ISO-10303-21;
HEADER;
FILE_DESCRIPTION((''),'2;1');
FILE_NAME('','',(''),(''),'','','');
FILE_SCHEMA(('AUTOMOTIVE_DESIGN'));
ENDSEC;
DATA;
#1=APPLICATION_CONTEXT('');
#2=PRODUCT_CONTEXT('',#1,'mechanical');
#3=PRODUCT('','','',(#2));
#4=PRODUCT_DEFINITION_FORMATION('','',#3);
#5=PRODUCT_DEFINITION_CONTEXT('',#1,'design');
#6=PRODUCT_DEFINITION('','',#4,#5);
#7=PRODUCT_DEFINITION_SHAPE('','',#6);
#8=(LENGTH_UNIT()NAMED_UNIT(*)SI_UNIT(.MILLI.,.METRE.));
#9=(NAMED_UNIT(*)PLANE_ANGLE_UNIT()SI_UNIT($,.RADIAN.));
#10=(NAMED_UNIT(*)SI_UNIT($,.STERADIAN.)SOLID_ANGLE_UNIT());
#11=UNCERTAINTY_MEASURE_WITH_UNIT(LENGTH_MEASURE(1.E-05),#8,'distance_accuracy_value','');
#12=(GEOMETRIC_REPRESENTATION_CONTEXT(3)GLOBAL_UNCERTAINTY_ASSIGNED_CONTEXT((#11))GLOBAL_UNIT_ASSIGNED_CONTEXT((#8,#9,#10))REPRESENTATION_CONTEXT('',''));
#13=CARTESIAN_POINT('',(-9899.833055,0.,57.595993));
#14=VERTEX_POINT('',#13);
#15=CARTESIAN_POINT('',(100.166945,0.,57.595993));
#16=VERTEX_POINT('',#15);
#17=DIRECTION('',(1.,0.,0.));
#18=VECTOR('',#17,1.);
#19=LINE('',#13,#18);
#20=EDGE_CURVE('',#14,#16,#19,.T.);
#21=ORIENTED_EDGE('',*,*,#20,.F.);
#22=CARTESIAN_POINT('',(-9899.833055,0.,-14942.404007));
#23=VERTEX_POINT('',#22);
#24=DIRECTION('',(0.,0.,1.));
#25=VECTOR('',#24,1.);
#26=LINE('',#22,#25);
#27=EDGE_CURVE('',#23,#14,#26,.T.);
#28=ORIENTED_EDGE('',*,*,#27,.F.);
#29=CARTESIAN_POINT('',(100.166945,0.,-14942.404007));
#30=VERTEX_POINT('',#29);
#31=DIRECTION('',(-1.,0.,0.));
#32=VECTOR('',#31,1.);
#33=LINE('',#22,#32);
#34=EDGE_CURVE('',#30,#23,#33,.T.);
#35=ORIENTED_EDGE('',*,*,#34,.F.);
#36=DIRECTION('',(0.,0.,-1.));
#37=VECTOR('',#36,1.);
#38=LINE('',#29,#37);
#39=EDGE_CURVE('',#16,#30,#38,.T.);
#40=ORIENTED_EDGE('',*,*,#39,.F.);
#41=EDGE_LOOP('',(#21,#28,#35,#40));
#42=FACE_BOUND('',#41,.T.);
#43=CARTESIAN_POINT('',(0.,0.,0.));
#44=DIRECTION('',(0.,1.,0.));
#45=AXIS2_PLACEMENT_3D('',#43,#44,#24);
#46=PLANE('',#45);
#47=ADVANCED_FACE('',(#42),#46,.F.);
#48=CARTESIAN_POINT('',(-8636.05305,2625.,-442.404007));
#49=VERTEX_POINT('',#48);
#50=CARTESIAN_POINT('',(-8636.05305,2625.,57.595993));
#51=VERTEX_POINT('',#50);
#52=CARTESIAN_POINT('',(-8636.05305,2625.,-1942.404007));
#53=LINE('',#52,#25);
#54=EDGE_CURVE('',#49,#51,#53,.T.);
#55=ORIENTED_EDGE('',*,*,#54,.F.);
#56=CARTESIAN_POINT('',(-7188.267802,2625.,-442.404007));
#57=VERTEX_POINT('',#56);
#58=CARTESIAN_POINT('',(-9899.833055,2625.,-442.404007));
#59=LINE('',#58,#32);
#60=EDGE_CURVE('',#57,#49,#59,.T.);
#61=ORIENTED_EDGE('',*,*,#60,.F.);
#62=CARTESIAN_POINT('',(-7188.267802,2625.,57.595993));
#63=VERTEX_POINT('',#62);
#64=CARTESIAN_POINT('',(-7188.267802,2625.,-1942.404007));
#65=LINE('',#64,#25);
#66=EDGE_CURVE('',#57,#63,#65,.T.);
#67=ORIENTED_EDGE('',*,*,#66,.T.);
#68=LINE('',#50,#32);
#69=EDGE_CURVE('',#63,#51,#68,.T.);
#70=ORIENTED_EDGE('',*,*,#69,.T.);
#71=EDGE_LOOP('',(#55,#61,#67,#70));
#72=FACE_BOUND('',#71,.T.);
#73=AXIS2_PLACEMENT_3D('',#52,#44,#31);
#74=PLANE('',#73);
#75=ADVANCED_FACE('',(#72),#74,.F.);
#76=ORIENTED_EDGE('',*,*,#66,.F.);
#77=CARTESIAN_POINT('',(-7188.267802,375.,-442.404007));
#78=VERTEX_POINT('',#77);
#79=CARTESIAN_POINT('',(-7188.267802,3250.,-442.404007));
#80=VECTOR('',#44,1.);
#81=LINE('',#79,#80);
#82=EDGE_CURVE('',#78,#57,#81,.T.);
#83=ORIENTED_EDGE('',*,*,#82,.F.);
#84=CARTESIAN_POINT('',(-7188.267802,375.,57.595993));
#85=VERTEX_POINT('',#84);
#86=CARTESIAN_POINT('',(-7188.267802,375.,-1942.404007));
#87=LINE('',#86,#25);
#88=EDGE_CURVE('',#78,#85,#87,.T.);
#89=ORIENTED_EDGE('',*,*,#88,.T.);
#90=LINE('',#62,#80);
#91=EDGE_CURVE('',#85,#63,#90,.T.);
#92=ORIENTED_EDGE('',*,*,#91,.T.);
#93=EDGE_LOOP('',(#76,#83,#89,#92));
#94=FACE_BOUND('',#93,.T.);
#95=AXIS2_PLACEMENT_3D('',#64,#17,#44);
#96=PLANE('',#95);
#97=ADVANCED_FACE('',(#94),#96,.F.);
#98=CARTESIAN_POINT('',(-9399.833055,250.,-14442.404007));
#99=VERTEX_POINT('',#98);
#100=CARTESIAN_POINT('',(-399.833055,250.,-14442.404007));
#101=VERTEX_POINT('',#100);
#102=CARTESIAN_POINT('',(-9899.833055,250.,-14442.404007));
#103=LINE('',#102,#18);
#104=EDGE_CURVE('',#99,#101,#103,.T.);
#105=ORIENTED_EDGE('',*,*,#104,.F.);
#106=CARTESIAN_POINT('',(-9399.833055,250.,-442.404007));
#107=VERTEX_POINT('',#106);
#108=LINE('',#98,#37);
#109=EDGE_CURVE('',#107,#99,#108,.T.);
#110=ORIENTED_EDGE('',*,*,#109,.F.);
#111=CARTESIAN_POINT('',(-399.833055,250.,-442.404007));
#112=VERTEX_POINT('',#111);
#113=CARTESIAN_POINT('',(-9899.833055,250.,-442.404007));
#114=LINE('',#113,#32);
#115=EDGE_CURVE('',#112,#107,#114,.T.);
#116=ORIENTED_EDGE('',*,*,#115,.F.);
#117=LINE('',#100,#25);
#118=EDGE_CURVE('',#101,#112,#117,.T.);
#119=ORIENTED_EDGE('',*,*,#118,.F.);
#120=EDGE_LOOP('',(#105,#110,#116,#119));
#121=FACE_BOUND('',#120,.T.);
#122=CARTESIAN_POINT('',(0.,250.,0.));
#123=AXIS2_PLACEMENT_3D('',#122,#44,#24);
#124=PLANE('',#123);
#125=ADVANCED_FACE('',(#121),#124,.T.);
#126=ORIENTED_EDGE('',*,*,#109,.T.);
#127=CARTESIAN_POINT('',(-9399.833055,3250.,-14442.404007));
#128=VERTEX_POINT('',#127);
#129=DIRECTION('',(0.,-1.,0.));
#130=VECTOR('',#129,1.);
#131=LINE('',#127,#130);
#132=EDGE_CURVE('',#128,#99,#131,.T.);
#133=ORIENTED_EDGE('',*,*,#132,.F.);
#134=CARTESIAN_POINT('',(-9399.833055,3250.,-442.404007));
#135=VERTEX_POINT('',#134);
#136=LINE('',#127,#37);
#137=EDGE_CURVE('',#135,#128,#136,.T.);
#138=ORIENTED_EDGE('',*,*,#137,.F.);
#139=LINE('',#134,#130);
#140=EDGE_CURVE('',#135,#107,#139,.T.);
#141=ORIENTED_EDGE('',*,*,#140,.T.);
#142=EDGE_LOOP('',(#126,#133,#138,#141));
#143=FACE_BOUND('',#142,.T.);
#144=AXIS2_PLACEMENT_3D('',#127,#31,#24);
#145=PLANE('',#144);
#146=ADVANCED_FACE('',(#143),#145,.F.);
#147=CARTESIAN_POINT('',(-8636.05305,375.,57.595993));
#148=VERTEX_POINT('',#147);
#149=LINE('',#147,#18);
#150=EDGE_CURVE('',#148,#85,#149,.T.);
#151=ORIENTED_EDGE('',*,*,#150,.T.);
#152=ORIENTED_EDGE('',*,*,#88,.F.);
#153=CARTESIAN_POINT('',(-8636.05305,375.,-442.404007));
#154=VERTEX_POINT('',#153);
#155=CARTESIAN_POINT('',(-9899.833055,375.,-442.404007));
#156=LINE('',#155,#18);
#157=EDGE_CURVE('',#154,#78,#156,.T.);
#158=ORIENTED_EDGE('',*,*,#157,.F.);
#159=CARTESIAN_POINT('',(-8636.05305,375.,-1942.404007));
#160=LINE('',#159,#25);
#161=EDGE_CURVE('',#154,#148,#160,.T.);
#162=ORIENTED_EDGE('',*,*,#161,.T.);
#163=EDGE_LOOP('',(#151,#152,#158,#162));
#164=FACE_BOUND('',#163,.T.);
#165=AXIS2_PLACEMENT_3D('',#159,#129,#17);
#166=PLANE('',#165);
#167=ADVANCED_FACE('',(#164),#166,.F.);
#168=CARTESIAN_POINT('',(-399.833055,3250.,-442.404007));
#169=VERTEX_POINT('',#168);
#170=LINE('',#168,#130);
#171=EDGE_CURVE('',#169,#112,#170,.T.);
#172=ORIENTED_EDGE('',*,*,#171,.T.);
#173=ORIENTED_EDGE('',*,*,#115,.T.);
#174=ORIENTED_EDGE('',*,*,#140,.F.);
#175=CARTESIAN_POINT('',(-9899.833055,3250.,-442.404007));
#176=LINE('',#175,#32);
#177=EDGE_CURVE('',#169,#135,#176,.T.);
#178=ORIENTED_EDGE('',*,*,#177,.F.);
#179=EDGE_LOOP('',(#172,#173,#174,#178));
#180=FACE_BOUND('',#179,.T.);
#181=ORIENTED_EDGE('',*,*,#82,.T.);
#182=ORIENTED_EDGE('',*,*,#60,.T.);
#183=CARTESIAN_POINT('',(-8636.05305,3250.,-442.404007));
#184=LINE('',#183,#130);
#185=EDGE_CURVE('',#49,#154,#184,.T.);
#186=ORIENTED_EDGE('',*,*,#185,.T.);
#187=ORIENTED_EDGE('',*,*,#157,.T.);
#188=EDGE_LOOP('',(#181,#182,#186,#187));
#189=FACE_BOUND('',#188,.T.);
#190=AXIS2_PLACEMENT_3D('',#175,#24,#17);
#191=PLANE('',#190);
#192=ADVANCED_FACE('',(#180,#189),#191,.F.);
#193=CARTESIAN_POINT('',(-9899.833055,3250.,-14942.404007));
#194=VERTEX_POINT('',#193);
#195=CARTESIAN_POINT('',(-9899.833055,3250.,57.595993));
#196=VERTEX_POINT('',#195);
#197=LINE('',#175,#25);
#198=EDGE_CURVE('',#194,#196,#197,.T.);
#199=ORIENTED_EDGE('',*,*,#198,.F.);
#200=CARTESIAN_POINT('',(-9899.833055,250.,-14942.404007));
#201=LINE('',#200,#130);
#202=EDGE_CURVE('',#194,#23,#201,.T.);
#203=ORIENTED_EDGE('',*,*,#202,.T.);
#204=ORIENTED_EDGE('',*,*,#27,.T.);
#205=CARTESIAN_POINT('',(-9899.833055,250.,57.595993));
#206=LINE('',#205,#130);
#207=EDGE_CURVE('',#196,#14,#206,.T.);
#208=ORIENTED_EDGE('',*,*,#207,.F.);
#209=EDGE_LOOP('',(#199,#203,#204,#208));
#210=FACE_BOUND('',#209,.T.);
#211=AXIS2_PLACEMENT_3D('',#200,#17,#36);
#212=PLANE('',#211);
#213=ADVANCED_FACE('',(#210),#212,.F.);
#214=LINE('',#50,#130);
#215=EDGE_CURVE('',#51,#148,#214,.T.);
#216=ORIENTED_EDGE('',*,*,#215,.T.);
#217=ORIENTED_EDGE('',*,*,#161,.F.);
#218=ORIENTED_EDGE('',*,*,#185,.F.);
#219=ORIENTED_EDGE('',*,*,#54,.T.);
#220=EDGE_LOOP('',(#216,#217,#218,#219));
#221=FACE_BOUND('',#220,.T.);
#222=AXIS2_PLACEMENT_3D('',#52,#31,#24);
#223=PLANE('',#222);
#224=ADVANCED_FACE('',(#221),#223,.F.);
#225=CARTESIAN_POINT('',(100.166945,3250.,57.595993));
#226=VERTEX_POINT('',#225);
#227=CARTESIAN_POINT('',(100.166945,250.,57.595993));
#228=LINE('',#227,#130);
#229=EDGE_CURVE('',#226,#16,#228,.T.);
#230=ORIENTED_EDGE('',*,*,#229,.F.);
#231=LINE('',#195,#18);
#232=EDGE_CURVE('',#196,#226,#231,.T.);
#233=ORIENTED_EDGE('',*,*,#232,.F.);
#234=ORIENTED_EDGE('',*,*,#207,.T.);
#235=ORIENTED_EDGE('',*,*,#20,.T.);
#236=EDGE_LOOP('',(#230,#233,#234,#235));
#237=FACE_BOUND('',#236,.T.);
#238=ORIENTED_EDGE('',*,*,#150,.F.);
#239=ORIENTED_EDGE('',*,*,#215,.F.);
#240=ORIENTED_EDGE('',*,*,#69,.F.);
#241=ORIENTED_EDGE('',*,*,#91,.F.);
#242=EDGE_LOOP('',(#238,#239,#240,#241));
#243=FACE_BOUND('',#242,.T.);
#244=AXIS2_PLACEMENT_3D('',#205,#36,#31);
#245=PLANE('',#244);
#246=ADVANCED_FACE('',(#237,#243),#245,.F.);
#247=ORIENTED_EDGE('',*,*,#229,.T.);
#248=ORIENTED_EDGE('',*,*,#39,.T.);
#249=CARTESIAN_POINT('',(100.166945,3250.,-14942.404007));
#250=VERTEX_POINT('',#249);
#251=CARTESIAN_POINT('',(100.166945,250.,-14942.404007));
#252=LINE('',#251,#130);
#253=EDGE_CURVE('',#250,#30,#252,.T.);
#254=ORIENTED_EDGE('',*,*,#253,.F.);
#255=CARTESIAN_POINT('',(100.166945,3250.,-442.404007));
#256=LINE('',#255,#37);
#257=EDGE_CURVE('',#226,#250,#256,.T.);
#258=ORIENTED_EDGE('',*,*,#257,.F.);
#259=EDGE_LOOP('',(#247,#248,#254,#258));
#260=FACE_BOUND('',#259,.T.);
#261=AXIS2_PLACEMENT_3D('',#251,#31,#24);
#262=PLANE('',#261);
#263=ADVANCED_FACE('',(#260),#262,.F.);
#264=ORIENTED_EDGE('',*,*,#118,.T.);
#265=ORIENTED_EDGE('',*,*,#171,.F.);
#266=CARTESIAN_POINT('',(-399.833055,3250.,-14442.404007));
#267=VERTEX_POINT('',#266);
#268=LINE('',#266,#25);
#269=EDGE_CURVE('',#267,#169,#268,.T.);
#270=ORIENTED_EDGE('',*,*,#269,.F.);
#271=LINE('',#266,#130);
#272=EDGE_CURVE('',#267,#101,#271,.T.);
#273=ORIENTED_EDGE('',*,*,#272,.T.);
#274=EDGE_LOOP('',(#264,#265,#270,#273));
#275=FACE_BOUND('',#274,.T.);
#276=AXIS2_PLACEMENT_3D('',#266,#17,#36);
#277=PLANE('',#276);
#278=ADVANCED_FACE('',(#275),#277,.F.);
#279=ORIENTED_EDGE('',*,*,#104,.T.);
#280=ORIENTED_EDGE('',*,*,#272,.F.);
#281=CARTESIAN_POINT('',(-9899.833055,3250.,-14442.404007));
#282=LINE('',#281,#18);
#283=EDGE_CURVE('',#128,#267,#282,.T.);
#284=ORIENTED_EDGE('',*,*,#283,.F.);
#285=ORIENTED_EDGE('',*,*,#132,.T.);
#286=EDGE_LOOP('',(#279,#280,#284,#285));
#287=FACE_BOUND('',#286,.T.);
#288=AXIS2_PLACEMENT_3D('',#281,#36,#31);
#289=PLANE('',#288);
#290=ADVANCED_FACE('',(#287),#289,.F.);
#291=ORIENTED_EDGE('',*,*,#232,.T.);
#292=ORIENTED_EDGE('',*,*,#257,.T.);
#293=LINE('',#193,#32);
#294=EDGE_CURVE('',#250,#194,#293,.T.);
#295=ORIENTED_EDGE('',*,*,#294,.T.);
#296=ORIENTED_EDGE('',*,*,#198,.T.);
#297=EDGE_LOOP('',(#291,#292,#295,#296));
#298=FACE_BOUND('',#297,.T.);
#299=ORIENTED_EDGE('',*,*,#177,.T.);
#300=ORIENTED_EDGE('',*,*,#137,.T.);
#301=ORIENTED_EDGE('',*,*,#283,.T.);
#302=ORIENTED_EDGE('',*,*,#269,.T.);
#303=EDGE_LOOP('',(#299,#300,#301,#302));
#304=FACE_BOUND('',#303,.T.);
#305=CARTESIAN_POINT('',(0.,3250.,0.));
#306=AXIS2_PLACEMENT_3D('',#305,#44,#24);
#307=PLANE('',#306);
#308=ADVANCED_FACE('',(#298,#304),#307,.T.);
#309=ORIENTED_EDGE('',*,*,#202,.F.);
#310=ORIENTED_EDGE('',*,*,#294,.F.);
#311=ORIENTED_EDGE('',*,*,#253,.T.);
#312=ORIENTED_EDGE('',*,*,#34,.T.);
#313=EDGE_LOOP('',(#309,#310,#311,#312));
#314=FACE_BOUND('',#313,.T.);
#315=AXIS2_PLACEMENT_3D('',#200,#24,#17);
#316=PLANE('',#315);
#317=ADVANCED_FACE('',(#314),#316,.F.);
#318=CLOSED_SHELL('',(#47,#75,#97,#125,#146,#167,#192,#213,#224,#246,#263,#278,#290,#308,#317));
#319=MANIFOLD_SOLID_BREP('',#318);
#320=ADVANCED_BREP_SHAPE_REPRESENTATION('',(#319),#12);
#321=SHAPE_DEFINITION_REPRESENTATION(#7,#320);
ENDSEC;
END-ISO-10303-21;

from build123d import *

# Parameters (mm, degrees)
SKETCH1_W          = 10000
SKETCH1_H          = 15000
BASE_DEPTH         = 250
SKETCH3_W          = 10000
SKETCH3_H          = 500
WALL_1_DEPTH       = 3000
SKETCH4_W          = 500
SKETCH4_H          = 14000
WALL_2_DEPTH       = 3000
SKETCH5_W          = 500
SKETCH5_H          = 14000
WALL_3_DEPTH       = 3000
SKETCH6_W          = 10000
SKETCH6_H          = 500
WALL_4_DEPTH       = 3000
SKETCH8_W          = 1447.785248023
SKETCH8_H          = 2250
CUT_EXTRUDE1_DEPTH = 2000


with BuildPart() as part:
    # Sketch1 → Base (new body)
    with BuildSketch(Plane(origin=(0, 0, 0), x_dir=(1, 0, 0), z_dir=(0, 1, 0))):
        with Locations((-4899.833055092, 7442.404006678)):
            Rectangle(SKETCH1_W, SKETCH1_H)
    extrude(amount=BASE_DEPTH)

    # Sketch3 → Wall_1 (add)
    with BuildSketch(Plane(origin=(0, 250, 0), x_dir=(1, 0, 0), z_dir=(0, 1, 0))):
        with Locations((-4899.833055092, 192.404006678)):
            Rectangle(SKETCH3_W, SKETCH3_H)
    extrude(amount=WALL_1_DEPTH)

    # Sketch4 → Wall_2 (add)
    with BuildSketch(Plane(origin=(0, 250, 0), x_dir=(1, 0, 0), z_dir=(0, 1, 0))):
        with Locations((-9649.833055092, 7442.404006678)):
            Rectangle(SKETCH4_W, SKETCH4_H)
    extrude(amount=WALL_2_DEPTH)

    # Sketch5 → Wall_3 (add)
    with BuildSketch(Plane(origin=(0, 250, 0), x_dir=(1, 0, 0), z_dir=(0, 1, 0))):
        with Locations((-149.833055092, 7442.404006678)):
            Rectangle(SKETCH5_W, SKETCH5_H)
    extrude(amount=WALL_3_DEPTH)

    # Sketch6 → Wall_4 (add)
    with BuildSketch(Plane(origin=(0, 250, 0), x_dir=(1, 0, 0), z_dir=(0, 1, 0))):
        with Locations((-4899.833055092, 14692.404006678)):
            Rectangle(SKETCH6_W, SKETCH6_H)
    extrude(amount=WALL_4_DEPTH)

    # Sketch8 → Cut-Extrude1 (cut)
    with BuildSketch(Plane.XY.offset(57.595993322)):
        with Locations((-7912.16042598, 1500)):
            Rectangle(SKETCH8_W, SKETCH8_H)
    extrude(amount=-CUT_EXTRUDE1_DEPTH, mode=Mode.SUBTRACT)


solid = part.part
